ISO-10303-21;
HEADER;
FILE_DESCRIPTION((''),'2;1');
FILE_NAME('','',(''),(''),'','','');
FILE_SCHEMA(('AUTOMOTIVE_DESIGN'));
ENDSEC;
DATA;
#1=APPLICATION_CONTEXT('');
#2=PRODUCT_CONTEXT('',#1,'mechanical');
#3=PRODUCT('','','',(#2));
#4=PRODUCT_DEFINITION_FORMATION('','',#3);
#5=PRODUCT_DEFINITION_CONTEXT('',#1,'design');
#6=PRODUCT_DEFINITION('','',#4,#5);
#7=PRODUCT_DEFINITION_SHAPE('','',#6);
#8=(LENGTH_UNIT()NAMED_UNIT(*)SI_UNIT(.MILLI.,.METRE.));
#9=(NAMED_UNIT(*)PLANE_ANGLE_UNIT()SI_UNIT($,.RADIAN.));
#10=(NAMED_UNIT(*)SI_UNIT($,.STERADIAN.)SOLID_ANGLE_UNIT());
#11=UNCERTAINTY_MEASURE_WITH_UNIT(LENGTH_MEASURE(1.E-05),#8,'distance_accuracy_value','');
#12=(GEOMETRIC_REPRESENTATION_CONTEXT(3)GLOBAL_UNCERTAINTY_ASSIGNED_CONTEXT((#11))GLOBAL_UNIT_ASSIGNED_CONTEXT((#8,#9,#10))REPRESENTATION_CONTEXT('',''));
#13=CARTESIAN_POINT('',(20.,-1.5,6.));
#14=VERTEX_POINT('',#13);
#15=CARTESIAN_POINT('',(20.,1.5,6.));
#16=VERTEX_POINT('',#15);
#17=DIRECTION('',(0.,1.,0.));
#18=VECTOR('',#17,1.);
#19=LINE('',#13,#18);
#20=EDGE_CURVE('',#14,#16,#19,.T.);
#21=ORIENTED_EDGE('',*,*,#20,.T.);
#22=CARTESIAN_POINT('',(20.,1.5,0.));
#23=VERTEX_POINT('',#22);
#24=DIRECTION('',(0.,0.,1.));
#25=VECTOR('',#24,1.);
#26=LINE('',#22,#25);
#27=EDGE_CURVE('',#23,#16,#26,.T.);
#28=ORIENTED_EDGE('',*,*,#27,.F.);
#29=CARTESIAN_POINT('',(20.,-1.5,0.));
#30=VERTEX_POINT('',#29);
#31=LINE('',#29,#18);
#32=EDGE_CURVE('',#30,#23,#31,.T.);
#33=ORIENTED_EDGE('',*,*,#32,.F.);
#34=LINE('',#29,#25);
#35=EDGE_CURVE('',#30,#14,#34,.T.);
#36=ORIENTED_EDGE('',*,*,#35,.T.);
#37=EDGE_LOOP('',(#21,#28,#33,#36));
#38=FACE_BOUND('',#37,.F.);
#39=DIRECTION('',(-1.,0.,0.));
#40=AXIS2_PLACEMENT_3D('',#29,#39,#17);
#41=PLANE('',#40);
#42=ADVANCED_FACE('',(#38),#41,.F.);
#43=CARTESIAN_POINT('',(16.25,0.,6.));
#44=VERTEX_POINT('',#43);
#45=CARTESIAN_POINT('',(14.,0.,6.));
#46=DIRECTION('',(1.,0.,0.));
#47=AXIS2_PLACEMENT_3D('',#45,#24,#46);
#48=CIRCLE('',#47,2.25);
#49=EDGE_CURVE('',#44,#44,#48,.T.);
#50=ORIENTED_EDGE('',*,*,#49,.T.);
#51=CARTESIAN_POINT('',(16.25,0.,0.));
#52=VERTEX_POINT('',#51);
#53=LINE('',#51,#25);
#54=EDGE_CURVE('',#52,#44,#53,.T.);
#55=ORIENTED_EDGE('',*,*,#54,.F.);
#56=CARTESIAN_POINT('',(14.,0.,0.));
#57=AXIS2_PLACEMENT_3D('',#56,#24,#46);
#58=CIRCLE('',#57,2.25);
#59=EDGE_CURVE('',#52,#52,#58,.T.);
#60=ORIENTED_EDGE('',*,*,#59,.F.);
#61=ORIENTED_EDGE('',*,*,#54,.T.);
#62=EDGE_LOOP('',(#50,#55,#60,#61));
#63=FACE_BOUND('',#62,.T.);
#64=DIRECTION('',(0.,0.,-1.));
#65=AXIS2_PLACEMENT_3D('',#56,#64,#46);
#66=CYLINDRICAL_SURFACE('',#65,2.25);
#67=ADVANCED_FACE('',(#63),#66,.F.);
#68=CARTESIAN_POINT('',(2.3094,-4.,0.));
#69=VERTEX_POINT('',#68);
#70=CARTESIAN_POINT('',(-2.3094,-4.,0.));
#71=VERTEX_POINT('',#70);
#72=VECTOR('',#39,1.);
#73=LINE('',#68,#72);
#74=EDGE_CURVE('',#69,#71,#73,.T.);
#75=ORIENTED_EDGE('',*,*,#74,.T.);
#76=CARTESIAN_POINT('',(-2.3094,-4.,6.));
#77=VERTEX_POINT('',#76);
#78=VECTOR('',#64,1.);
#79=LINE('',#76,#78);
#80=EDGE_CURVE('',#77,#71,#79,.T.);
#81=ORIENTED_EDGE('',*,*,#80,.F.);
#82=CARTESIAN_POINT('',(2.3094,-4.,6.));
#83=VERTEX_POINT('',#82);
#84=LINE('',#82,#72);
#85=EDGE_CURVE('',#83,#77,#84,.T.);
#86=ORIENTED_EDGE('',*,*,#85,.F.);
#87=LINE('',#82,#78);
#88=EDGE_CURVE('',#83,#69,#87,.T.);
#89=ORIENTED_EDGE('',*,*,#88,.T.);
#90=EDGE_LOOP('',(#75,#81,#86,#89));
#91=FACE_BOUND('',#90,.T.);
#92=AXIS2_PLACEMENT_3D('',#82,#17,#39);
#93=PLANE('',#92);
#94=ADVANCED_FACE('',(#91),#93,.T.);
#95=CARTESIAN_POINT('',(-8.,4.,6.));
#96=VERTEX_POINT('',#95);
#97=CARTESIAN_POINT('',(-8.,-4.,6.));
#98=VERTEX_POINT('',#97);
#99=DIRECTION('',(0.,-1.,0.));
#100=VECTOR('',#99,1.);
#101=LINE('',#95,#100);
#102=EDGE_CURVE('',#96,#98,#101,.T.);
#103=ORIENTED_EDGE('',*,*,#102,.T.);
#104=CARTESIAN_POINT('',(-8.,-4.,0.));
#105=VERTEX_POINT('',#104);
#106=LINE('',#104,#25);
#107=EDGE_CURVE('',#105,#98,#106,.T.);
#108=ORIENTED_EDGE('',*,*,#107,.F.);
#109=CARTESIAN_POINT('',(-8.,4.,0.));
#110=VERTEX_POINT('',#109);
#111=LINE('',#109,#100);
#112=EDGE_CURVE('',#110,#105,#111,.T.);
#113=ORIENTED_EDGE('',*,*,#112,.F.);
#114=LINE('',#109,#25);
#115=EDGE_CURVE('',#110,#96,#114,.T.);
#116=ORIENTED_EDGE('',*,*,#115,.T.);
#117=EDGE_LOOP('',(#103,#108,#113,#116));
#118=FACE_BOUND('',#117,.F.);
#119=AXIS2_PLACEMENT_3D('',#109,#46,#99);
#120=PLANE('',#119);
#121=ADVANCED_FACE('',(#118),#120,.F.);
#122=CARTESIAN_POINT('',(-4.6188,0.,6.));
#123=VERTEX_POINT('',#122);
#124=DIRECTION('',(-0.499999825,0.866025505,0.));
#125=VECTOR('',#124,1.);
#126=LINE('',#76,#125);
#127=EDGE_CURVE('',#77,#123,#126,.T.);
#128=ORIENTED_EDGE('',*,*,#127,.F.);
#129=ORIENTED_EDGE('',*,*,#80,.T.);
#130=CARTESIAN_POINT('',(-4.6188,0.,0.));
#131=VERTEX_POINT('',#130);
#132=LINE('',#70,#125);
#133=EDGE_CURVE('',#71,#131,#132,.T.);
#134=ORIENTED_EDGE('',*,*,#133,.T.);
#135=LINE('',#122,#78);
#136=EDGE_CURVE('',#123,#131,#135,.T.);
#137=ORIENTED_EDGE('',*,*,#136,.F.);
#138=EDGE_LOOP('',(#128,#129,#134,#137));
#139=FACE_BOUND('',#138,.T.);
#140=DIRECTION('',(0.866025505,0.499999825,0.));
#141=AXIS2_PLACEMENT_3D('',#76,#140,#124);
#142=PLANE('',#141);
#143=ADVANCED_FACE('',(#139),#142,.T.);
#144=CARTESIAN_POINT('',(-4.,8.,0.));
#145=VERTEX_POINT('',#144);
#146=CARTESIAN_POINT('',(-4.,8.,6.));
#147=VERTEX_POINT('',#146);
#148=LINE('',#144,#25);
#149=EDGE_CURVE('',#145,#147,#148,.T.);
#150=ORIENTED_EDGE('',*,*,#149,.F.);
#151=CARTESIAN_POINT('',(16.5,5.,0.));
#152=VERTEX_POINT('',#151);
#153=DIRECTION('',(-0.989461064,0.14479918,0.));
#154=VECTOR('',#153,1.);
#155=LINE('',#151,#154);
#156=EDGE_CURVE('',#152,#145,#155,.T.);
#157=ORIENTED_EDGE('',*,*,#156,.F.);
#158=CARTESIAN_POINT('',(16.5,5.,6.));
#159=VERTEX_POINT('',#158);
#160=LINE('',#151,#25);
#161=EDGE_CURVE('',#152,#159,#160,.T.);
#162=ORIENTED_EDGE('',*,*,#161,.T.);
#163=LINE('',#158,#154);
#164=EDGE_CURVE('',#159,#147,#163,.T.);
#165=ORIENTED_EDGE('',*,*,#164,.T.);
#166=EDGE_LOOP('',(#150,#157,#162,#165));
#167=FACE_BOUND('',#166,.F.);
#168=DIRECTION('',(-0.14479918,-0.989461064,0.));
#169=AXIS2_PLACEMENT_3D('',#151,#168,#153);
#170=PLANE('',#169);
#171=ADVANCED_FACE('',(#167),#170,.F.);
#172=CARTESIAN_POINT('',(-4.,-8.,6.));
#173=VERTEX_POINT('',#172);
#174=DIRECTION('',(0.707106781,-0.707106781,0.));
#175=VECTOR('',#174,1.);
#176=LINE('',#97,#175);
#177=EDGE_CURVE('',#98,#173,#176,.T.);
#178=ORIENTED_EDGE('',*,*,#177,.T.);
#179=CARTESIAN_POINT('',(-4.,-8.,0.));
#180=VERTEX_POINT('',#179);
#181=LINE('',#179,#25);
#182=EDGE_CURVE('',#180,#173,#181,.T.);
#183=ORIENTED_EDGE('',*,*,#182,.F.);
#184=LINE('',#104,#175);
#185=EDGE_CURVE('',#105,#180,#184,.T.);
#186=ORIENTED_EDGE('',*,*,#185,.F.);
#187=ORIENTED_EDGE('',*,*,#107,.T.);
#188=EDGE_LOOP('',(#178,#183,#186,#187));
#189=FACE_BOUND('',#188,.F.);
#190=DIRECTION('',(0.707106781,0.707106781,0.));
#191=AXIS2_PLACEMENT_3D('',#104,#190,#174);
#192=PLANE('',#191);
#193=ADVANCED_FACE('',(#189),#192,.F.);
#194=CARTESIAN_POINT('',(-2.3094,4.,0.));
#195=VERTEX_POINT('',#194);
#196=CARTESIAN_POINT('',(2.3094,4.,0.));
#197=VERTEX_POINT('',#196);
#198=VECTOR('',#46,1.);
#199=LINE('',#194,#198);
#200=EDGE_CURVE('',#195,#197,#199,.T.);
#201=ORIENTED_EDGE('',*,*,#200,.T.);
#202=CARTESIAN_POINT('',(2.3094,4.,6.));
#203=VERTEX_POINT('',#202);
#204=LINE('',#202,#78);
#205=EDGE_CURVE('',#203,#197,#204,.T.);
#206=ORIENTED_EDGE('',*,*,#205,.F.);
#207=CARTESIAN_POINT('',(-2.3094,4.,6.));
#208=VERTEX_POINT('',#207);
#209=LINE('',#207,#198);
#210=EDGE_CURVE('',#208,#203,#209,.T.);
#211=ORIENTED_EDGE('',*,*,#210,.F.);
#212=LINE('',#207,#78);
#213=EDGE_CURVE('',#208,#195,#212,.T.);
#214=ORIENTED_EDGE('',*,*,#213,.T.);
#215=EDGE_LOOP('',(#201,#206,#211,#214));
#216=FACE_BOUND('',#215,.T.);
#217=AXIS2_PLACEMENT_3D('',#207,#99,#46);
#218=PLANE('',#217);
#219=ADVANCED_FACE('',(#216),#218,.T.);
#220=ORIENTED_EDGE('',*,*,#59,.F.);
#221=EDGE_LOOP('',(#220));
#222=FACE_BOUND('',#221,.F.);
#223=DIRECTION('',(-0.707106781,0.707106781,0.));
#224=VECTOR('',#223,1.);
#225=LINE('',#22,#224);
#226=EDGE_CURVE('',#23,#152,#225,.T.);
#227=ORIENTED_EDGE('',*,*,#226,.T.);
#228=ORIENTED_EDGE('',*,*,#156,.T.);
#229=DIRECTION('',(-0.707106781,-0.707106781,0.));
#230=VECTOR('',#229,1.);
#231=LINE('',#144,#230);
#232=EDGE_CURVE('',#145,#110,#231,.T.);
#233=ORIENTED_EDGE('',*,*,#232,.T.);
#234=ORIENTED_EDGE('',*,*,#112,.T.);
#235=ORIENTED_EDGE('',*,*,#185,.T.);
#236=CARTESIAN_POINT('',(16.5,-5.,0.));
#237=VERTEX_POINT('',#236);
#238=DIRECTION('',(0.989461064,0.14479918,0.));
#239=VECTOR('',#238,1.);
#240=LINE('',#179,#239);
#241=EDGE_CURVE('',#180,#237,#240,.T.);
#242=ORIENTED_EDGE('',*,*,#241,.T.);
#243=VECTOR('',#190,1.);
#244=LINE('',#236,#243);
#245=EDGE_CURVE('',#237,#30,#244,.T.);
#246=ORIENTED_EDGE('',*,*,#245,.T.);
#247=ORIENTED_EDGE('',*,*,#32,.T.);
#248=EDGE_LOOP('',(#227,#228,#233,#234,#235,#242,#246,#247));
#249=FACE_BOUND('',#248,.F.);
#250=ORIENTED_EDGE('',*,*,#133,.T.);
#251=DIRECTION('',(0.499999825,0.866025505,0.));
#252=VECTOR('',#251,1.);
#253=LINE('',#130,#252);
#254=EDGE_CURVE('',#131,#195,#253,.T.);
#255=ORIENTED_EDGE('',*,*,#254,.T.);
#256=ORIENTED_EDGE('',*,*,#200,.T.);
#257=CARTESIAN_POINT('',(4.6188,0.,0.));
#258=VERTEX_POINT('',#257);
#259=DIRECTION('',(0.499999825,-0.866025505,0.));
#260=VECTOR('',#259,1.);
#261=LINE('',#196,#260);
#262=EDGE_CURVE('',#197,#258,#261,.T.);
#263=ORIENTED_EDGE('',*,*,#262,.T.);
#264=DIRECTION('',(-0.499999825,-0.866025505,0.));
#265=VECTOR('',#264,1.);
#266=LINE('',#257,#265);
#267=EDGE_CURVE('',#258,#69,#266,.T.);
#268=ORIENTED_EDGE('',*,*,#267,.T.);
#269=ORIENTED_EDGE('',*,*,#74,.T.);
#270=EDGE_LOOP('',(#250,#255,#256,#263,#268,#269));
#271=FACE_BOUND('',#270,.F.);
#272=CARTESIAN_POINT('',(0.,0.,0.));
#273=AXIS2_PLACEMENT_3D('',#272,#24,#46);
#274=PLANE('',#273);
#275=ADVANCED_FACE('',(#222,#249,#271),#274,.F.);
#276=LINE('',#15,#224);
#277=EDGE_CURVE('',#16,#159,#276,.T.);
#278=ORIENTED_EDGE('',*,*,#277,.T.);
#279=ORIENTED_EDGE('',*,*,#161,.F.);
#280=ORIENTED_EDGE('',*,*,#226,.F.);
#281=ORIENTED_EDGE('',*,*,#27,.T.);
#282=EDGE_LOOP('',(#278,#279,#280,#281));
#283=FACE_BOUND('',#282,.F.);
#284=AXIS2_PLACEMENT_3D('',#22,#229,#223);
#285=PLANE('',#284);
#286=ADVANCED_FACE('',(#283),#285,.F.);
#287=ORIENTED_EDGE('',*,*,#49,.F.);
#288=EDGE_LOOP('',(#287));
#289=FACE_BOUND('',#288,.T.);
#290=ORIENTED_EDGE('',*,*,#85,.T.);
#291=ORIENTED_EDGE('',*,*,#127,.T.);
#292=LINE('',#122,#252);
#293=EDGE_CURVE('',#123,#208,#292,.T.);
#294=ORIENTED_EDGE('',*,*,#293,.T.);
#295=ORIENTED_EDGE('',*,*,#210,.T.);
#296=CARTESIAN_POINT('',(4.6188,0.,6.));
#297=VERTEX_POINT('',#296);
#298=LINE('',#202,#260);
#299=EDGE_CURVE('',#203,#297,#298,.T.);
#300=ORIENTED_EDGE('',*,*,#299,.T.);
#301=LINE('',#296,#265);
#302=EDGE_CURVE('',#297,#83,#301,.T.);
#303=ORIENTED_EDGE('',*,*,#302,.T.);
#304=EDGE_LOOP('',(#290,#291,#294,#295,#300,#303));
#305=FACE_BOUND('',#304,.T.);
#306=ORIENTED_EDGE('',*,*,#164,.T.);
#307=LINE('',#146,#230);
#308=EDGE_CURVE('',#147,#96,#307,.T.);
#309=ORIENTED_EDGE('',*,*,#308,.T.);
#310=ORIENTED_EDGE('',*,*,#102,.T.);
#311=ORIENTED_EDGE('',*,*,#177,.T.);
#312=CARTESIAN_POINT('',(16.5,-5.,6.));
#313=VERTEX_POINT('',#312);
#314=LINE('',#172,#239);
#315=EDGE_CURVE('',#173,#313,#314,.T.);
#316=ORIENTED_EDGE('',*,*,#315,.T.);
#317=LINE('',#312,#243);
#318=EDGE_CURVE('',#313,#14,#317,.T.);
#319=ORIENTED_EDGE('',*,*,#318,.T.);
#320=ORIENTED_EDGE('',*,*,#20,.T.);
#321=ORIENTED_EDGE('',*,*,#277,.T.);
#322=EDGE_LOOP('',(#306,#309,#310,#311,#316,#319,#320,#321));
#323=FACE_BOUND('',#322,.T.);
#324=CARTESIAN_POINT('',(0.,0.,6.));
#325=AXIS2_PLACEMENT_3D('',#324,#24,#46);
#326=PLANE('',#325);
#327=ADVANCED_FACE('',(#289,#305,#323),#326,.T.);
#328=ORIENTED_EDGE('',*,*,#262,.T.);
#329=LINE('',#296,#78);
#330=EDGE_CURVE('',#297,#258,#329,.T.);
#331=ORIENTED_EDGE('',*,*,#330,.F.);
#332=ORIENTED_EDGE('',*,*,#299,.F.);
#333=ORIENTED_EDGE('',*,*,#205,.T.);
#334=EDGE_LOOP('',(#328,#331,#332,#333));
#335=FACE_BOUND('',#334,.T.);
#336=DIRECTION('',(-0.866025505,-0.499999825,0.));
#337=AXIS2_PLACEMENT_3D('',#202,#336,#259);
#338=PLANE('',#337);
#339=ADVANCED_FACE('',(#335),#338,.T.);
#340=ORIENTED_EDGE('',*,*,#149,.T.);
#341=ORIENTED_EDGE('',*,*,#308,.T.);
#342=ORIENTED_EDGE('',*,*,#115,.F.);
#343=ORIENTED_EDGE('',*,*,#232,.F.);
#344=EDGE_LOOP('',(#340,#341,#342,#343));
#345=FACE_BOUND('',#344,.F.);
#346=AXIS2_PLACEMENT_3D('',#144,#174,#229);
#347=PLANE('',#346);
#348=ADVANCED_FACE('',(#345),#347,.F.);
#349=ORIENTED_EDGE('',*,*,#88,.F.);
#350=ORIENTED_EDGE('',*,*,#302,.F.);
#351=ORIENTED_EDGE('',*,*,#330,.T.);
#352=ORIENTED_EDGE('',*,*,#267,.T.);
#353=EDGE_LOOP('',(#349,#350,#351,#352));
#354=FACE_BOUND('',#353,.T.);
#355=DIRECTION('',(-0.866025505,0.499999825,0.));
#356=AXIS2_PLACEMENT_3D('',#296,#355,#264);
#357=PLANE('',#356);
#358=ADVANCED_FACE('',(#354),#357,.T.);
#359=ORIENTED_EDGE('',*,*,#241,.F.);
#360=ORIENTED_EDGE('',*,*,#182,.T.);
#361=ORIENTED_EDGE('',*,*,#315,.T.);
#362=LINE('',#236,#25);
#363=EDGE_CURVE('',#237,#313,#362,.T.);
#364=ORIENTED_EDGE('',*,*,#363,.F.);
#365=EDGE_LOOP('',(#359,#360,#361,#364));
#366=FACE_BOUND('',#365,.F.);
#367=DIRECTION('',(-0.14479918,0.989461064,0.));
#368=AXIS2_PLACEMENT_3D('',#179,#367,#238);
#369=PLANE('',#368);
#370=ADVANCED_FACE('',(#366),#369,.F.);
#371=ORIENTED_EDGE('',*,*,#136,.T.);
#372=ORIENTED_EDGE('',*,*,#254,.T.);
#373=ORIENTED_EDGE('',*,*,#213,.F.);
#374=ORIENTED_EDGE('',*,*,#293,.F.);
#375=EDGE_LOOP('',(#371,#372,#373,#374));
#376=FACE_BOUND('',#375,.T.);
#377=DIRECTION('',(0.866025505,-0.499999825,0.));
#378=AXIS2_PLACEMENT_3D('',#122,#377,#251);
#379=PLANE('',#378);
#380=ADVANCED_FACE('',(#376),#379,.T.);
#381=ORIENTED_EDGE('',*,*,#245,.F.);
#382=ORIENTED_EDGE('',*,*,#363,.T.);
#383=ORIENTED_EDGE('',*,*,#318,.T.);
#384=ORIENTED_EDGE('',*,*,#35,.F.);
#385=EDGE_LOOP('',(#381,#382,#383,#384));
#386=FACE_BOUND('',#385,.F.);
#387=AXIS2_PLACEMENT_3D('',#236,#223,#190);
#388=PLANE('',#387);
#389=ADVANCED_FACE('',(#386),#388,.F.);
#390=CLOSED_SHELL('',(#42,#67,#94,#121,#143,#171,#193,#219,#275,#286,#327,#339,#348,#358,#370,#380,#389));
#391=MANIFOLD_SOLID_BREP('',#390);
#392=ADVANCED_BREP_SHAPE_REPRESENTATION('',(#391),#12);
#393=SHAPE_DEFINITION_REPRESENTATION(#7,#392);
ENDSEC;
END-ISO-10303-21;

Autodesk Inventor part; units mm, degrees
ref_plane "YZ Plane" through (0, 0, 0) normal (1, 0, 0) x (0, 1, 0)
ref_plane "XZ Plane" through (0, 0, 0) normal (0, 1, 0) x (-1, 0, 0)
ref_plane "XY Plane" through (0, 0, 0) normal (0, 0, 1) x (1, 0, 0)
sketch "Sketch1" plane through (0, 0, 0) normal (0, 0, 1) x (1, 0, 0)
  line L0 (-4, -8) -> (16.5, -5)
  line L1 (20, -1.5) -> (20, 1.5)
  line L2 (16.5, 5) -> (-4, 8)
  line L3 (-8, 4) -> (-8, -4)
  line L4 (-4, 8) -> (-8, 4)
  line L5 (-8, -4) -> (-4, -8)
  line L6 (16.5, -5) -> (20, -1.5)
  line L7 (20, 1.5) -> (16.5, 5)
  circle A0 centre (0, 0) radius 2.75
  circle A1 centre (14, 0) radius 2.25
  circle A2 centre (0, 0) radius 5 construction
  circle A3 centre (14, 0) radius 4.5 construction
  point P0 (-8, 0)
  point P1 (20, 0)
  dimension "d9" = 8
  dimension "d10" = 14
  dimension "d11" = 4.5
  dimension "d12" = 5.5
  dimension "d13" = 6
  dimension "d16" = 10
  dimension "d17" = 9
  dimension "d18" = 8
  dimension "d19" = 4
  dimension "d20" = 4
  dimension "d21" = 4
  dimension "d22" = 10
  dimension "d23" = 3
extrude "Extrusion1" add sketch "Sketch1" along normal blind 6
sketch "Sketch2" plane through (0, 0, 6) normal (0, 0, 1) x (1, 0, 0)
  circle A0 centre (0, 0) radius 2.75 projected
  line L0 (-8, 4) -> (-8, -4) projected
  line L1 (4.6188, 0) -> (2.3094, -4)
  line L2 (2.3094, -4) -> (-2.3094, -4)
  line L3 (-2.3094, -4) -> (-4.6188, 0)
  line L4 (-4.6188, 0) -> (-2.3094, 4)
  line L5 (-2.3094, 4) -> (2.3094, 4)
  line L6 (2.3094, 4) -> (4.6188, 0)
  dimension "d24" = 8
extrude "Extrusion2" cut sketch "Sketch2" against normal blind 6
properties part number "y_carriage_nut_holder_a"
